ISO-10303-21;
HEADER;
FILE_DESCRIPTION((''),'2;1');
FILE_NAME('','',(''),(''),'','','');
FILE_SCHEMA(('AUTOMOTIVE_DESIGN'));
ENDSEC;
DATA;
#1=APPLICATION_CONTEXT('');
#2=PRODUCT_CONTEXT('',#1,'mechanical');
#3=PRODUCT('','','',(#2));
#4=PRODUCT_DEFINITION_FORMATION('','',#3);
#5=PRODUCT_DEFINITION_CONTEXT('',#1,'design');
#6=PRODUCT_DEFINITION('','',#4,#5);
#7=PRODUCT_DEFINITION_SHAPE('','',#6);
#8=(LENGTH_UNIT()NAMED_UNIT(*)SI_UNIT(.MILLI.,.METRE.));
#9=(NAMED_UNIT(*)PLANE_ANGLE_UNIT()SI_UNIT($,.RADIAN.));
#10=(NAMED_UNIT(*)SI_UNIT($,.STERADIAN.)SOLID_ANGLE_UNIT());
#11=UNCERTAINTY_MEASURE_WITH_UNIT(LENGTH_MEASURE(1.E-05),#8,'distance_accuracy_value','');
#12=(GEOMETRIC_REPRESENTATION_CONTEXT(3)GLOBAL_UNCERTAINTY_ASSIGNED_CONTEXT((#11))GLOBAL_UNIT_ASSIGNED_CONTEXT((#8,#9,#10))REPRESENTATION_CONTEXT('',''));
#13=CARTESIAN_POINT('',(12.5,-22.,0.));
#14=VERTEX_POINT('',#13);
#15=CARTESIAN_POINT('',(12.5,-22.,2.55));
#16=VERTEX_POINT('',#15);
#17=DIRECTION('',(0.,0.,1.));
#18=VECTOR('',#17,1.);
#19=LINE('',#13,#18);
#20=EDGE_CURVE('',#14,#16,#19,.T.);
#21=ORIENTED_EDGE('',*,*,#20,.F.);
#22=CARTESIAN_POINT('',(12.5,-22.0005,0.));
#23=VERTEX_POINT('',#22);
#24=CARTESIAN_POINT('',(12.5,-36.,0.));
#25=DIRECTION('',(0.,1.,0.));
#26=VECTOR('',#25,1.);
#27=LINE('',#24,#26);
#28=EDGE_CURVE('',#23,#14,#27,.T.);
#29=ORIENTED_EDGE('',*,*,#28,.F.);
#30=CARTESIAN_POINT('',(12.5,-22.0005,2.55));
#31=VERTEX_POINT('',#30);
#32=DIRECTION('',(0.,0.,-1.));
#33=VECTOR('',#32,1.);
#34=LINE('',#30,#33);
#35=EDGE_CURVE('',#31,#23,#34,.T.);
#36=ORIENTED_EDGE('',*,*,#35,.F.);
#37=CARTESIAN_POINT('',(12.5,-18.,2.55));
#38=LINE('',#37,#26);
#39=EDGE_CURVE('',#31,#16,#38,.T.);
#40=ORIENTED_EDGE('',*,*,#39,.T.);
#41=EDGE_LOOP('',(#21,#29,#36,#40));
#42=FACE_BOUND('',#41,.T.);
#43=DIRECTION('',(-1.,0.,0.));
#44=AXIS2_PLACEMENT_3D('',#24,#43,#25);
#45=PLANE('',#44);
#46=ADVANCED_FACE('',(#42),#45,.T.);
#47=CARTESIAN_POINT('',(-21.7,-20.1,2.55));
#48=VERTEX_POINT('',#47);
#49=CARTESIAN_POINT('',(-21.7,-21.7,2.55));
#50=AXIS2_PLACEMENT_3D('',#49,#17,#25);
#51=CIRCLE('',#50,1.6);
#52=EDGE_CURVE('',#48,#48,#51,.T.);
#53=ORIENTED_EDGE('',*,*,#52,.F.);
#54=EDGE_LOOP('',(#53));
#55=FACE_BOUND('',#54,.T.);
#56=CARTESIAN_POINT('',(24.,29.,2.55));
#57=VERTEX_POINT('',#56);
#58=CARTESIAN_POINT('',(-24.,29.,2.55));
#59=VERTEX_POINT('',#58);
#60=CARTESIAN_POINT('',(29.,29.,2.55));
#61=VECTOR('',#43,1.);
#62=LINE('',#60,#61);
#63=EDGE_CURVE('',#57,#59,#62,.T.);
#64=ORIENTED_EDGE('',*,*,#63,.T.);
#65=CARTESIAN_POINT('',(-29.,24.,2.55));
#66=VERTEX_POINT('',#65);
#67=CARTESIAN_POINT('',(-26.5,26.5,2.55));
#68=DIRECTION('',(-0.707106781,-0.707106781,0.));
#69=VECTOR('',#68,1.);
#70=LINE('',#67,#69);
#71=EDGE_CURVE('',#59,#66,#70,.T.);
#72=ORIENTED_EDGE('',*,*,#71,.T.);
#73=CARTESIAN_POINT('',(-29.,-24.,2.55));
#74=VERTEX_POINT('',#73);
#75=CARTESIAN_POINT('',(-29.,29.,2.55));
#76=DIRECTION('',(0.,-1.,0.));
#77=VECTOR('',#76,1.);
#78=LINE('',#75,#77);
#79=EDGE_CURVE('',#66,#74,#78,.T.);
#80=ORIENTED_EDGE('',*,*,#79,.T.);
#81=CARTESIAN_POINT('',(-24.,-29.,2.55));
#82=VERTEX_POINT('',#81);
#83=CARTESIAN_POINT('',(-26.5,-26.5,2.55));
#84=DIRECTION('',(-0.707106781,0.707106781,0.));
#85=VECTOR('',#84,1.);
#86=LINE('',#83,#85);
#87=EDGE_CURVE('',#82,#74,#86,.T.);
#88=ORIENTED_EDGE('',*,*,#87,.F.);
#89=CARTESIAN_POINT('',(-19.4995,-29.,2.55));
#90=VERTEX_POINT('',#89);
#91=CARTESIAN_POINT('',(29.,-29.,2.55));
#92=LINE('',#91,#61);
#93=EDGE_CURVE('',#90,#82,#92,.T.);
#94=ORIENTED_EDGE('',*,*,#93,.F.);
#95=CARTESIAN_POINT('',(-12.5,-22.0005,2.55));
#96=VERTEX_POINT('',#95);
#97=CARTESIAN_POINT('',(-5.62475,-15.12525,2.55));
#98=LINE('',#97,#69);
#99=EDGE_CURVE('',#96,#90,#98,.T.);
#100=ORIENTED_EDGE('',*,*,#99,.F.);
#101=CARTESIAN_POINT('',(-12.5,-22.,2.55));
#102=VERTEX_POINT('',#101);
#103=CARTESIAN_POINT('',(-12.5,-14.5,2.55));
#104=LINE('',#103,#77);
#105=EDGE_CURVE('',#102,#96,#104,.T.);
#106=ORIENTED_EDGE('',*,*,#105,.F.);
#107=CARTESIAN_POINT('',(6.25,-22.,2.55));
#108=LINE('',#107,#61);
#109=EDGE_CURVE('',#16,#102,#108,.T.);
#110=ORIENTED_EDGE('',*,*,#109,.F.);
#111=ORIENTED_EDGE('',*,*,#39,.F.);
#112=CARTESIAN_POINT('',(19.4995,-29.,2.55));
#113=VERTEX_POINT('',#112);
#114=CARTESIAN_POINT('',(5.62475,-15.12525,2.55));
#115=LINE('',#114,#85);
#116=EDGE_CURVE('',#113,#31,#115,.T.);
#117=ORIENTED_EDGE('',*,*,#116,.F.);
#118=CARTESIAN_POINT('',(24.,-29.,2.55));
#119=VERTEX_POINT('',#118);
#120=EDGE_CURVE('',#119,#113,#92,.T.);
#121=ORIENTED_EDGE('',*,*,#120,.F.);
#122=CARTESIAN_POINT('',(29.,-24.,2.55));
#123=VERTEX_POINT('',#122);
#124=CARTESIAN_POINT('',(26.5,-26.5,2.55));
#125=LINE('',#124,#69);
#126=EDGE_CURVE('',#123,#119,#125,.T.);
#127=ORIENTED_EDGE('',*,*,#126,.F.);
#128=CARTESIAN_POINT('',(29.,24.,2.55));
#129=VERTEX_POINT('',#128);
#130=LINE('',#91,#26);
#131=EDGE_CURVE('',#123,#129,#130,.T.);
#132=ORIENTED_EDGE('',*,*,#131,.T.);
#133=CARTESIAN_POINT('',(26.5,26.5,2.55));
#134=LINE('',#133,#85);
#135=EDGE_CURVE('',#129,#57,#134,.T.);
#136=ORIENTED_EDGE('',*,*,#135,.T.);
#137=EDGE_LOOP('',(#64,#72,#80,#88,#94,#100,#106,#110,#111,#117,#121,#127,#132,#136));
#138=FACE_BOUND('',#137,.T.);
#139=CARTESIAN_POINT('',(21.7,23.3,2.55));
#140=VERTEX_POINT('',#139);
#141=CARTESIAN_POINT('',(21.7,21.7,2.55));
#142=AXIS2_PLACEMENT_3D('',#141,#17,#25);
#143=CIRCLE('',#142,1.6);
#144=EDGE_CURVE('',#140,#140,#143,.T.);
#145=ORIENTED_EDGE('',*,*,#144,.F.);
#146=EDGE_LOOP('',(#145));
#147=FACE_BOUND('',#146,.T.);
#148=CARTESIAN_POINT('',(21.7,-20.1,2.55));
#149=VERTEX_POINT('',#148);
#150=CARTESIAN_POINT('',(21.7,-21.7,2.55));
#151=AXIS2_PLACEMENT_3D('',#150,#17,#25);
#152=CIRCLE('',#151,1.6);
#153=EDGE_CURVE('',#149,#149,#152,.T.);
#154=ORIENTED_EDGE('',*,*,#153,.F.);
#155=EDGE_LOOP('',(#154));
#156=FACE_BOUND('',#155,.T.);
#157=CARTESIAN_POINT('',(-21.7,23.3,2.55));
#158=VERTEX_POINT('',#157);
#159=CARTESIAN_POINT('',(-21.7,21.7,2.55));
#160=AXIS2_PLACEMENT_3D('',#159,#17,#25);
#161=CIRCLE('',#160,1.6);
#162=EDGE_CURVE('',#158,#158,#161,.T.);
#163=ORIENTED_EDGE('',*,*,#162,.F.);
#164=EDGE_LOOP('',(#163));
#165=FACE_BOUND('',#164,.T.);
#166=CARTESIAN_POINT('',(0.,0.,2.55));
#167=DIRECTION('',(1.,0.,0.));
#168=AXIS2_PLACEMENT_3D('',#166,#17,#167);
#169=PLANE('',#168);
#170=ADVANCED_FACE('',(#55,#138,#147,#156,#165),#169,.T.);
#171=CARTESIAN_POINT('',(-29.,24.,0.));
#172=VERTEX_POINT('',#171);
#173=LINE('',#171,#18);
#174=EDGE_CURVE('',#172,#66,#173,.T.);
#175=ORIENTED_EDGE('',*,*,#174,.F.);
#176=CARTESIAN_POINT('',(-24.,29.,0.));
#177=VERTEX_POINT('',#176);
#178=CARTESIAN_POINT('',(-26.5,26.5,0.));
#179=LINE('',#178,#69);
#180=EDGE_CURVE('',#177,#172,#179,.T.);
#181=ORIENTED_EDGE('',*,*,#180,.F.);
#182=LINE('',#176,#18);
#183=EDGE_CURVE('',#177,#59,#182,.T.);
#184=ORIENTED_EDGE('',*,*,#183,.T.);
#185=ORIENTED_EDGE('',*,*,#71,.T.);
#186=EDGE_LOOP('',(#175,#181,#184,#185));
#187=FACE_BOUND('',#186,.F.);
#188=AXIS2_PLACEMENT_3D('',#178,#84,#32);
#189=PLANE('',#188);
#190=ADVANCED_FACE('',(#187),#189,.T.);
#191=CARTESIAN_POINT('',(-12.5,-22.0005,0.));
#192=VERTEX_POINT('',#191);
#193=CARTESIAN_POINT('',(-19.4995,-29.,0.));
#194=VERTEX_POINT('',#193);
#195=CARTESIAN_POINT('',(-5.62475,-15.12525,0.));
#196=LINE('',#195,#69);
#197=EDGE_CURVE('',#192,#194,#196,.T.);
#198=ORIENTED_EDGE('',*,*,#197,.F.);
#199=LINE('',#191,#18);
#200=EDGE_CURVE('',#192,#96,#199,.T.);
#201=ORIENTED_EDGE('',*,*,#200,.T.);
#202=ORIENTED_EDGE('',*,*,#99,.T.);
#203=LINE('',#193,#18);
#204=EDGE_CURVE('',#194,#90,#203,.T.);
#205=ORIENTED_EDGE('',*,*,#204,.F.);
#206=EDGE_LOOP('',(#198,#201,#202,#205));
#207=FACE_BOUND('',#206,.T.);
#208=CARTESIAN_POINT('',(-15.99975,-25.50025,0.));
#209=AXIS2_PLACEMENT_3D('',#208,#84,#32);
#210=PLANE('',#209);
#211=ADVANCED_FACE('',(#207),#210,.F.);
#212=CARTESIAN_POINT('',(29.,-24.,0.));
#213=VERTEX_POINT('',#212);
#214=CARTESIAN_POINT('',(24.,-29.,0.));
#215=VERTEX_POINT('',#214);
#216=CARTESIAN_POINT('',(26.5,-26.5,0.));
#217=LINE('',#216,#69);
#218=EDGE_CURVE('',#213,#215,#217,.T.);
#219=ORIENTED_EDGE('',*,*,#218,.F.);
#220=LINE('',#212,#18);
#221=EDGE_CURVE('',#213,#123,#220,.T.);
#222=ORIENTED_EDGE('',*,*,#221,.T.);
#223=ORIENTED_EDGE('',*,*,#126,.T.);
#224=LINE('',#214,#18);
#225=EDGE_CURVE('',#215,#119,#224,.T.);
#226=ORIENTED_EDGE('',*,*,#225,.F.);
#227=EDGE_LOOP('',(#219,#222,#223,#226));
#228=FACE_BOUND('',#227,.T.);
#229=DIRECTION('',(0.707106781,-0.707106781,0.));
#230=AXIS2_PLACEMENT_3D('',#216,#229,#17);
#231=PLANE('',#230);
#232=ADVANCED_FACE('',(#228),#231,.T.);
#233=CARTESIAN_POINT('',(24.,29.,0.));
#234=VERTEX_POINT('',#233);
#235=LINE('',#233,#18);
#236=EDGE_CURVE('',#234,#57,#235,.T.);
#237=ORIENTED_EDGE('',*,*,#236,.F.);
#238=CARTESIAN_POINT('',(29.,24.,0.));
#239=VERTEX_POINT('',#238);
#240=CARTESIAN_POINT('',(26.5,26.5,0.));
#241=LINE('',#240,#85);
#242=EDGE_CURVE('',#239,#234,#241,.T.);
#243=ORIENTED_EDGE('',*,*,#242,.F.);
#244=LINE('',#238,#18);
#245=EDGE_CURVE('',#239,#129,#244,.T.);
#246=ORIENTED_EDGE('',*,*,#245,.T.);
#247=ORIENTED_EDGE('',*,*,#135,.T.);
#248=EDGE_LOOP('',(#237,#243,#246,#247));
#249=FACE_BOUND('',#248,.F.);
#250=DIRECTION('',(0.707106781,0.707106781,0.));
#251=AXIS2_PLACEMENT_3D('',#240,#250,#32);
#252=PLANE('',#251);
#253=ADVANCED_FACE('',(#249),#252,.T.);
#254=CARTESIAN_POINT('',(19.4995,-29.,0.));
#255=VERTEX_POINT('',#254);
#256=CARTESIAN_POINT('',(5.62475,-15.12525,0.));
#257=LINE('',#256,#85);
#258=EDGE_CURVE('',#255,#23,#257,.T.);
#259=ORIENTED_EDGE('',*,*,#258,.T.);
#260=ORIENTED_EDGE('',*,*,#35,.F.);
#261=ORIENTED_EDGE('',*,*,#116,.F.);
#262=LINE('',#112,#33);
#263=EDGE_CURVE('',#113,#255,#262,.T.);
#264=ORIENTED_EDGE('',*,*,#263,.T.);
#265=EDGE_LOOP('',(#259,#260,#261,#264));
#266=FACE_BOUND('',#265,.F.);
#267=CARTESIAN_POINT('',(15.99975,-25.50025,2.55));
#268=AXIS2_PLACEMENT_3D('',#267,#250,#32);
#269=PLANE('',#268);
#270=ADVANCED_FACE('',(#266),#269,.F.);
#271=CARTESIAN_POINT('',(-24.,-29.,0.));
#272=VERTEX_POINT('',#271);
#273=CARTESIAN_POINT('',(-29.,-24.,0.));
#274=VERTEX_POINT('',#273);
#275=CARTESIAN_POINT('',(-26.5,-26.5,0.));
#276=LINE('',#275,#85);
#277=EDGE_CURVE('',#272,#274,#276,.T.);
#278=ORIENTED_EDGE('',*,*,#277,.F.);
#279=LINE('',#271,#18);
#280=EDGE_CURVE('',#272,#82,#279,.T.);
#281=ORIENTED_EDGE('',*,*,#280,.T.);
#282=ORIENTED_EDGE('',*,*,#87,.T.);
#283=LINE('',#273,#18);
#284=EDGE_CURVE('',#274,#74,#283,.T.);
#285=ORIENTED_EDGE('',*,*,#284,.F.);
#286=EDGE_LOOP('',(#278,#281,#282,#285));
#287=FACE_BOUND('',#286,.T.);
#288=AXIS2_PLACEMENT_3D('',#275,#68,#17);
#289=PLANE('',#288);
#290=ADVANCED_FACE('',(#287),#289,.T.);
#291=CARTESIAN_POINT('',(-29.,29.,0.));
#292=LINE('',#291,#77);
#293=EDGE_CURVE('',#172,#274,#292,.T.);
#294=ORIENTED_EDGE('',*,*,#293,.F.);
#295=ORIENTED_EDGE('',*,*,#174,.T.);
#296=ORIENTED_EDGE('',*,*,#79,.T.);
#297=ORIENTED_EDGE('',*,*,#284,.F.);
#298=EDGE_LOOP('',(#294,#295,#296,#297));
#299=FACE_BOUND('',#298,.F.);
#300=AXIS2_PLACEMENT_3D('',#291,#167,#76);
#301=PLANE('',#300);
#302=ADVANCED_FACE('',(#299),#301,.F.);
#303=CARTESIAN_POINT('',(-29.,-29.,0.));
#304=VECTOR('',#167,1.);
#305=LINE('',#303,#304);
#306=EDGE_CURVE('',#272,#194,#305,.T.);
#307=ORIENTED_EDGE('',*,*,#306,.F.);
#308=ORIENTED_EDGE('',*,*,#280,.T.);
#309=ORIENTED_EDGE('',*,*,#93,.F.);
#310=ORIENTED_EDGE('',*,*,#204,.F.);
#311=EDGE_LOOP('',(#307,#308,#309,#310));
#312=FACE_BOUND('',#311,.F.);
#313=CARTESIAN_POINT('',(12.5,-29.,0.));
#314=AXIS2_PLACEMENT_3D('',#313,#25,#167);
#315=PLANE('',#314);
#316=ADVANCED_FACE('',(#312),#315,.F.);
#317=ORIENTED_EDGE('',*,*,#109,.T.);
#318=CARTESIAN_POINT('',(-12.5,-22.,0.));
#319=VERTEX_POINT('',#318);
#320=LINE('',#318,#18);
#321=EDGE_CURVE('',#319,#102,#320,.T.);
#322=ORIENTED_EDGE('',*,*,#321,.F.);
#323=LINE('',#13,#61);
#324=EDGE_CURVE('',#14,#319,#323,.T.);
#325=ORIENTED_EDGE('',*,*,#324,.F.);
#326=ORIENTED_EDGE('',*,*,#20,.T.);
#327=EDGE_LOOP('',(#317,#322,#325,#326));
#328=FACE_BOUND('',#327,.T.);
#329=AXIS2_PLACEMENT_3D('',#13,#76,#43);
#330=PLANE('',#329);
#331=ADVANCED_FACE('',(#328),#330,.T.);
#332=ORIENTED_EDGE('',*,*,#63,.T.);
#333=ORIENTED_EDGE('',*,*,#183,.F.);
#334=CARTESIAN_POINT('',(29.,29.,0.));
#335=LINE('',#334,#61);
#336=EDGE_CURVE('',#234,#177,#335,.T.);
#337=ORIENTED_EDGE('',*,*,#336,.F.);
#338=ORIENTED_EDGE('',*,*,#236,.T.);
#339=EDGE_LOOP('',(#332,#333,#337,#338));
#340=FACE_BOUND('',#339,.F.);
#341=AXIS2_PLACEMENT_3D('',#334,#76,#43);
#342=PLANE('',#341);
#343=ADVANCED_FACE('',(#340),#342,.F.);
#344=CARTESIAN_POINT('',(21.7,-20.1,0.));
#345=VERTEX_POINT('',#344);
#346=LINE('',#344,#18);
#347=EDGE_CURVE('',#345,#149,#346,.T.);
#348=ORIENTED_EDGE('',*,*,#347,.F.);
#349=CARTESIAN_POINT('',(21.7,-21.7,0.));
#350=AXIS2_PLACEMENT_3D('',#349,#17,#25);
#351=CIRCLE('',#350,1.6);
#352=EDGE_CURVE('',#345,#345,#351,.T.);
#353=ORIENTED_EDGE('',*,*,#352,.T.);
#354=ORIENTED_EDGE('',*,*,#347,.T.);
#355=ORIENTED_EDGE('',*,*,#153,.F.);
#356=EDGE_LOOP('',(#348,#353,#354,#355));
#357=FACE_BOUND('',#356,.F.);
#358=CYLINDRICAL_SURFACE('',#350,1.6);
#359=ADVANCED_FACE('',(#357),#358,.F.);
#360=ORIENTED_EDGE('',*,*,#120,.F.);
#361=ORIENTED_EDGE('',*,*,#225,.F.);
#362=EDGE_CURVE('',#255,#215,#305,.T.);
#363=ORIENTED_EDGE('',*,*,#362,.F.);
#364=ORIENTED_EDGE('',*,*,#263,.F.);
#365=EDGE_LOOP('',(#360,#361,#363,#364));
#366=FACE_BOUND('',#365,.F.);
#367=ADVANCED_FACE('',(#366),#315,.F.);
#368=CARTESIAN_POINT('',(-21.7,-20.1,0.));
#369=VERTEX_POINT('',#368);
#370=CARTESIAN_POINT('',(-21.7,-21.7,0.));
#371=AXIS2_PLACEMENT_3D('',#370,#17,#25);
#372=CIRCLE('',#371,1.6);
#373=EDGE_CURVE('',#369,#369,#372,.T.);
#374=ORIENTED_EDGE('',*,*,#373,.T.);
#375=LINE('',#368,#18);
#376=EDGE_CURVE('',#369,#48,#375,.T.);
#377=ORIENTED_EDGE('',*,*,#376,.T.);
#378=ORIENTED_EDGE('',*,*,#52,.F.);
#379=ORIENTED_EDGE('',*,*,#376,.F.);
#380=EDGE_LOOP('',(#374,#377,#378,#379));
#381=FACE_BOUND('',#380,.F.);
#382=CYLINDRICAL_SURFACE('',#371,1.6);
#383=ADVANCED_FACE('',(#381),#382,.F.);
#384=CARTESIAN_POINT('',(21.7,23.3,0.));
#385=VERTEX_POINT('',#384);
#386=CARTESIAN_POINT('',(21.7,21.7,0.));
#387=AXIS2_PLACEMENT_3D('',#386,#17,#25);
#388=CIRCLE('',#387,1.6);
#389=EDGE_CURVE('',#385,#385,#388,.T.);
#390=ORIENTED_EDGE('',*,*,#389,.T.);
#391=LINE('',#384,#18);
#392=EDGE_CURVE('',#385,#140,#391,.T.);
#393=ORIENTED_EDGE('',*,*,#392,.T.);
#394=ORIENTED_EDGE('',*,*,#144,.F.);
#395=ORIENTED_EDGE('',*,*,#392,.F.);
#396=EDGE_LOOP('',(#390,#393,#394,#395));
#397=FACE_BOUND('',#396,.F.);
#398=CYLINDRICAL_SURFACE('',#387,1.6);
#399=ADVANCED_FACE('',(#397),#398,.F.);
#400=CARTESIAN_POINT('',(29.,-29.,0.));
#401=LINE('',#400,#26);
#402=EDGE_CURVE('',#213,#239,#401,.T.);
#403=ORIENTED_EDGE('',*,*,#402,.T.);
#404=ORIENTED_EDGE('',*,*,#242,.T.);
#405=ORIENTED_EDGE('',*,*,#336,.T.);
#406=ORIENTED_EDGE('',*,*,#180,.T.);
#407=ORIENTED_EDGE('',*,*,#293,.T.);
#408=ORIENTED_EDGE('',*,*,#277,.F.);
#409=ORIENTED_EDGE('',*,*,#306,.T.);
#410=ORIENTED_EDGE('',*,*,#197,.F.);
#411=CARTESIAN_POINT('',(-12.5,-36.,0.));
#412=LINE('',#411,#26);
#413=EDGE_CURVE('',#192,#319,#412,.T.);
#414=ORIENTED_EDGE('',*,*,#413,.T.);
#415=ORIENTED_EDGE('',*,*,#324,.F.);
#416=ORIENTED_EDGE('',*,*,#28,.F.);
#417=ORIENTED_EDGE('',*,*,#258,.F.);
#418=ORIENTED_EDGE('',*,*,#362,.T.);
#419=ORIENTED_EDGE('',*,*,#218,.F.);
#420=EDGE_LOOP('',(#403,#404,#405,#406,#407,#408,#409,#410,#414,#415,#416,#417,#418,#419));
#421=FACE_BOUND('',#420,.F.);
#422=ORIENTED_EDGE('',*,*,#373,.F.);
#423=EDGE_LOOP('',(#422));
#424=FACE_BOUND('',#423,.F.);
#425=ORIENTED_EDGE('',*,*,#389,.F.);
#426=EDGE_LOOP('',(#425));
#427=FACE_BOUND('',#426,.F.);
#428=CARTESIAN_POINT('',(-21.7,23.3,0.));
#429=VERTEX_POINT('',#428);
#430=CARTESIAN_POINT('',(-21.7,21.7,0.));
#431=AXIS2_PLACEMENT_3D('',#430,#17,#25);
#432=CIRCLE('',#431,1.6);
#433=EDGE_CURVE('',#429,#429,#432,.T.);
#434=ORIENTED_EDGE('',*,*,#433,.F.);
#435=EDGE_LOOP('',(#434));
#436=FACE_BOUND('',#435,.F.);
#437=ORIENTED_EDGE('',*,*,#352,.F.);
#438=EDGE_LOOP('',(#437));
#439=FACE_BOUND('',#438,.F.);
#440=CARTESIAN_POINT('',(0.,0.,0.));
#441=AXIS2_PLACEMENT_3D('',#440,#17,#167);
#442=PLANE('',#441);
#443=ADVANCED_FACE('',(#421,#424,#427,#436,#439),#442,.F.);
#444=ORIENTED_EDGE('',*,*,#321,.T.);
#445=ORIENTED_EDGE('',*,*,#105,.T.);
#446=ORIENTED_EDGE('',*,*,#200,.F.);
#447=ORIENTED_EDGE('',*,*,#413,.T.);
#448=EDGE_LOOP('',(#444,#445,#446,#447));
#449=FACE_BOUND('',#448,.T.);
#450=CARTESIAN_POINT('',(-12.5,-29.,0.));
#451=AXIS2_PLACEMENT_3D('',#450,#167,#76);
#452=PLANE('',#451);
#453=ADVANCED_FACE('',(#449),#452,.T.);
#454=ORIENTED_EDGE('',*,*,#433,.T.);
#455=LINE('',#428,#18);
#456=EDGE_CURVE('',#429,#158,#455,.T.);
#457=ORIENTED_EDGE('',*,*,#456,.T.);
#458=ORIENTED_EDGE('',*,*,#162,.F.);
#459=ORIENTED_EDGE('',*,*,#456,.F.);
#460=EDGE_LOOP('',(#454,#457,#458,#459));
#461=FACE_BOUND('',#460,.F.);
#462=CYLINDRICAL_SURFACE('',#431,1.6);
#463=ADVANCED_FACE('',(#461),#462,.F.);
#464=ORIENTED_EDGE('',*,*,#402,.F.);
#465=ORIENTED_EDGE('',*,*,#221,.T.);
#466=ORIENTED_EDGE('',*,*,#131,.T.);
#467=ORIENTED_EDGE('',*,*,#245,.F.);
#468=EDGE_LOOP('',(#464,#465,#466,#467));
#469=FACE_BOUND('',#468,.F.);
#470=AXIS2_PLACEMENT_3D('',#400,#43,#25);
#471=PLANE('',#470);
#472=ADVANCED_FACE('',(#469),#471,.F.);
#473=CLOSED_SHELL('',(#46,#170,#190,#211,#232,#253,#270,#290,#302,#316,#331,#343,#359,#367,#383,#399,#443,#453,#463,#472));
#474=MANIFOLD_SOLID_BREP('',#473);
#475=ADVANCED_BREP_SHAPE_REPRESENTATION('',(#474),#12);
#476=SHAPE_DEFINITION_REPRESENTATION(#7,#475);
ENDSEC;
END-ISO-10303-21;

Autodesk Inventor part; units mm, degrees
ref_plane "YZ Plane" through (0, 0, 0) normal (1, 0, 0) x (0, 1, 0)
ref_plane "XZ Plane" through (0, 0, 0) normal (0, 1, 0) x (-1, 0, 0)
ref_plane "XY Plane" through (0, 0, 0) normal (0, 0, 1) x (1, 0, 0)
sketch "Sketch1" plane through (0, 0, 0) normal (0, 0, 1) x (1, 0, 0)
  line L0 (29, 29) -> (-29, 29)
  line L1 (-29, 29) -> (-29, -29)
  line L2 (-29, -29) -> (29, -29)
  line L3 (29, -29) -> (29, 29)
  line L4 (29, 29) -> (-29, -29) construction
  line L5 (-29, 29) -> (29, -29) construction
  line L6 (21.7, -21.7) -> (-21.7, -21.7) construction
  line L7 (-21.7, -21.7) -> (-21.7, 21.7) construction
  line L8 (-21.7, 21.7) -> (21.7, 21.7) construction
  line L9 (21.7, 21.7) -> (21.7, -21.7) construction
  line L10 (21.7, -21.7) -> (-21.7, 21.7) construction
  line L11 (-21.7, -21.7) -> (21.7, 21.7) construction
  line L12 (-12.5, -36) -> (12.5, -36)
  line L13 (12.5, -36) -> (12.5, -22)
  line L14 (12.5, -22) -> (-12.5, -22)
  line L15 (-12.5, -22) -> (-12.5, -36)
  line L16 (-12.5, -36) -> (12.5, -22) construction
  line L17 (12.5, -36) -> (-12.5, -22) construction
  point P0 (0, 0)
  point P1 (0, -29)
  dimension "d0" = 58
  dimension "d1" = 58
  dimension "d7" = 43.4
  dimension "d15" = 25
  dimension "d16" = 14
extrude "Extrusion1" add sketch "Sketch1" along normal blind 2.55 contours L3 L2 L13 L14 L15 L1 L0 | L2 L15 L14 L13
chamfer "Chamfer1" distance 5 angle 45 4 edges at (29, 29, 1.275) (-29, 29, 1.275) (-29, -29, 1.275) (29, -29, 1.275)
hole "Hole1" at (-21.7, 21.7, 0) at (-21.7, -21.7, 0) at (21.7, -21.7, 0) at (21.7, 21.7, 0) direction (0, 0, 1) diameter 3.2 end through all
extrude "Extrusion2" cut sketch "Sketch1" along normal up to next contours L13 L12 L15 L2 | L2 L15 L14 L13
chamfer "Chamfer2" distance 7 angle 45 2 edges at (-12.5, -29, 1.275) (12.5, -29, 1.275)
sketch "Sketch2" plane through (0, 0, 2.55) normal (0, 0, 1) x (1, 0, 0)
  line L0 (19.5, -29) -> (12.5, -22) projected
  line L1 (19.5, -29) -> (24, -29) projected
  line L2 (29, -24) -> (24, -29) projected
  line L3 (29, -24) -> (29, 24) projected
  line L4 (24, 29) -> (29, 24) projected
  line L5 (24, 29) -> (-24, 29) projected
  line L6 (-29, 24) -> (-24, 29) projected
  line L7 (-29, 24) -> (-29, -24) projected
  line L8 (-24, -29) -> (-29, -24) projected
  line L9 (-24, -29) -> (-19.5, -29) projected
  line L10 (-12.5, -22) -> (-19.5, -29) projected
  line L11 (-12.5, -22) -> (12.5, -22) projected
  circle A0 centre (21.7, 21.7) radius 1.6 projected
  circle A1 centre (-21.7, -21.7) radius 1.6 projected
  circle A2 centre (-21.7, 21.7) radius 1.6 projected
  circle A3 centre (21.7, -21.7) radius 1.6 projected
  point P0 (0, 0)
properties part number "compactActiveLoad_BottomCover"
